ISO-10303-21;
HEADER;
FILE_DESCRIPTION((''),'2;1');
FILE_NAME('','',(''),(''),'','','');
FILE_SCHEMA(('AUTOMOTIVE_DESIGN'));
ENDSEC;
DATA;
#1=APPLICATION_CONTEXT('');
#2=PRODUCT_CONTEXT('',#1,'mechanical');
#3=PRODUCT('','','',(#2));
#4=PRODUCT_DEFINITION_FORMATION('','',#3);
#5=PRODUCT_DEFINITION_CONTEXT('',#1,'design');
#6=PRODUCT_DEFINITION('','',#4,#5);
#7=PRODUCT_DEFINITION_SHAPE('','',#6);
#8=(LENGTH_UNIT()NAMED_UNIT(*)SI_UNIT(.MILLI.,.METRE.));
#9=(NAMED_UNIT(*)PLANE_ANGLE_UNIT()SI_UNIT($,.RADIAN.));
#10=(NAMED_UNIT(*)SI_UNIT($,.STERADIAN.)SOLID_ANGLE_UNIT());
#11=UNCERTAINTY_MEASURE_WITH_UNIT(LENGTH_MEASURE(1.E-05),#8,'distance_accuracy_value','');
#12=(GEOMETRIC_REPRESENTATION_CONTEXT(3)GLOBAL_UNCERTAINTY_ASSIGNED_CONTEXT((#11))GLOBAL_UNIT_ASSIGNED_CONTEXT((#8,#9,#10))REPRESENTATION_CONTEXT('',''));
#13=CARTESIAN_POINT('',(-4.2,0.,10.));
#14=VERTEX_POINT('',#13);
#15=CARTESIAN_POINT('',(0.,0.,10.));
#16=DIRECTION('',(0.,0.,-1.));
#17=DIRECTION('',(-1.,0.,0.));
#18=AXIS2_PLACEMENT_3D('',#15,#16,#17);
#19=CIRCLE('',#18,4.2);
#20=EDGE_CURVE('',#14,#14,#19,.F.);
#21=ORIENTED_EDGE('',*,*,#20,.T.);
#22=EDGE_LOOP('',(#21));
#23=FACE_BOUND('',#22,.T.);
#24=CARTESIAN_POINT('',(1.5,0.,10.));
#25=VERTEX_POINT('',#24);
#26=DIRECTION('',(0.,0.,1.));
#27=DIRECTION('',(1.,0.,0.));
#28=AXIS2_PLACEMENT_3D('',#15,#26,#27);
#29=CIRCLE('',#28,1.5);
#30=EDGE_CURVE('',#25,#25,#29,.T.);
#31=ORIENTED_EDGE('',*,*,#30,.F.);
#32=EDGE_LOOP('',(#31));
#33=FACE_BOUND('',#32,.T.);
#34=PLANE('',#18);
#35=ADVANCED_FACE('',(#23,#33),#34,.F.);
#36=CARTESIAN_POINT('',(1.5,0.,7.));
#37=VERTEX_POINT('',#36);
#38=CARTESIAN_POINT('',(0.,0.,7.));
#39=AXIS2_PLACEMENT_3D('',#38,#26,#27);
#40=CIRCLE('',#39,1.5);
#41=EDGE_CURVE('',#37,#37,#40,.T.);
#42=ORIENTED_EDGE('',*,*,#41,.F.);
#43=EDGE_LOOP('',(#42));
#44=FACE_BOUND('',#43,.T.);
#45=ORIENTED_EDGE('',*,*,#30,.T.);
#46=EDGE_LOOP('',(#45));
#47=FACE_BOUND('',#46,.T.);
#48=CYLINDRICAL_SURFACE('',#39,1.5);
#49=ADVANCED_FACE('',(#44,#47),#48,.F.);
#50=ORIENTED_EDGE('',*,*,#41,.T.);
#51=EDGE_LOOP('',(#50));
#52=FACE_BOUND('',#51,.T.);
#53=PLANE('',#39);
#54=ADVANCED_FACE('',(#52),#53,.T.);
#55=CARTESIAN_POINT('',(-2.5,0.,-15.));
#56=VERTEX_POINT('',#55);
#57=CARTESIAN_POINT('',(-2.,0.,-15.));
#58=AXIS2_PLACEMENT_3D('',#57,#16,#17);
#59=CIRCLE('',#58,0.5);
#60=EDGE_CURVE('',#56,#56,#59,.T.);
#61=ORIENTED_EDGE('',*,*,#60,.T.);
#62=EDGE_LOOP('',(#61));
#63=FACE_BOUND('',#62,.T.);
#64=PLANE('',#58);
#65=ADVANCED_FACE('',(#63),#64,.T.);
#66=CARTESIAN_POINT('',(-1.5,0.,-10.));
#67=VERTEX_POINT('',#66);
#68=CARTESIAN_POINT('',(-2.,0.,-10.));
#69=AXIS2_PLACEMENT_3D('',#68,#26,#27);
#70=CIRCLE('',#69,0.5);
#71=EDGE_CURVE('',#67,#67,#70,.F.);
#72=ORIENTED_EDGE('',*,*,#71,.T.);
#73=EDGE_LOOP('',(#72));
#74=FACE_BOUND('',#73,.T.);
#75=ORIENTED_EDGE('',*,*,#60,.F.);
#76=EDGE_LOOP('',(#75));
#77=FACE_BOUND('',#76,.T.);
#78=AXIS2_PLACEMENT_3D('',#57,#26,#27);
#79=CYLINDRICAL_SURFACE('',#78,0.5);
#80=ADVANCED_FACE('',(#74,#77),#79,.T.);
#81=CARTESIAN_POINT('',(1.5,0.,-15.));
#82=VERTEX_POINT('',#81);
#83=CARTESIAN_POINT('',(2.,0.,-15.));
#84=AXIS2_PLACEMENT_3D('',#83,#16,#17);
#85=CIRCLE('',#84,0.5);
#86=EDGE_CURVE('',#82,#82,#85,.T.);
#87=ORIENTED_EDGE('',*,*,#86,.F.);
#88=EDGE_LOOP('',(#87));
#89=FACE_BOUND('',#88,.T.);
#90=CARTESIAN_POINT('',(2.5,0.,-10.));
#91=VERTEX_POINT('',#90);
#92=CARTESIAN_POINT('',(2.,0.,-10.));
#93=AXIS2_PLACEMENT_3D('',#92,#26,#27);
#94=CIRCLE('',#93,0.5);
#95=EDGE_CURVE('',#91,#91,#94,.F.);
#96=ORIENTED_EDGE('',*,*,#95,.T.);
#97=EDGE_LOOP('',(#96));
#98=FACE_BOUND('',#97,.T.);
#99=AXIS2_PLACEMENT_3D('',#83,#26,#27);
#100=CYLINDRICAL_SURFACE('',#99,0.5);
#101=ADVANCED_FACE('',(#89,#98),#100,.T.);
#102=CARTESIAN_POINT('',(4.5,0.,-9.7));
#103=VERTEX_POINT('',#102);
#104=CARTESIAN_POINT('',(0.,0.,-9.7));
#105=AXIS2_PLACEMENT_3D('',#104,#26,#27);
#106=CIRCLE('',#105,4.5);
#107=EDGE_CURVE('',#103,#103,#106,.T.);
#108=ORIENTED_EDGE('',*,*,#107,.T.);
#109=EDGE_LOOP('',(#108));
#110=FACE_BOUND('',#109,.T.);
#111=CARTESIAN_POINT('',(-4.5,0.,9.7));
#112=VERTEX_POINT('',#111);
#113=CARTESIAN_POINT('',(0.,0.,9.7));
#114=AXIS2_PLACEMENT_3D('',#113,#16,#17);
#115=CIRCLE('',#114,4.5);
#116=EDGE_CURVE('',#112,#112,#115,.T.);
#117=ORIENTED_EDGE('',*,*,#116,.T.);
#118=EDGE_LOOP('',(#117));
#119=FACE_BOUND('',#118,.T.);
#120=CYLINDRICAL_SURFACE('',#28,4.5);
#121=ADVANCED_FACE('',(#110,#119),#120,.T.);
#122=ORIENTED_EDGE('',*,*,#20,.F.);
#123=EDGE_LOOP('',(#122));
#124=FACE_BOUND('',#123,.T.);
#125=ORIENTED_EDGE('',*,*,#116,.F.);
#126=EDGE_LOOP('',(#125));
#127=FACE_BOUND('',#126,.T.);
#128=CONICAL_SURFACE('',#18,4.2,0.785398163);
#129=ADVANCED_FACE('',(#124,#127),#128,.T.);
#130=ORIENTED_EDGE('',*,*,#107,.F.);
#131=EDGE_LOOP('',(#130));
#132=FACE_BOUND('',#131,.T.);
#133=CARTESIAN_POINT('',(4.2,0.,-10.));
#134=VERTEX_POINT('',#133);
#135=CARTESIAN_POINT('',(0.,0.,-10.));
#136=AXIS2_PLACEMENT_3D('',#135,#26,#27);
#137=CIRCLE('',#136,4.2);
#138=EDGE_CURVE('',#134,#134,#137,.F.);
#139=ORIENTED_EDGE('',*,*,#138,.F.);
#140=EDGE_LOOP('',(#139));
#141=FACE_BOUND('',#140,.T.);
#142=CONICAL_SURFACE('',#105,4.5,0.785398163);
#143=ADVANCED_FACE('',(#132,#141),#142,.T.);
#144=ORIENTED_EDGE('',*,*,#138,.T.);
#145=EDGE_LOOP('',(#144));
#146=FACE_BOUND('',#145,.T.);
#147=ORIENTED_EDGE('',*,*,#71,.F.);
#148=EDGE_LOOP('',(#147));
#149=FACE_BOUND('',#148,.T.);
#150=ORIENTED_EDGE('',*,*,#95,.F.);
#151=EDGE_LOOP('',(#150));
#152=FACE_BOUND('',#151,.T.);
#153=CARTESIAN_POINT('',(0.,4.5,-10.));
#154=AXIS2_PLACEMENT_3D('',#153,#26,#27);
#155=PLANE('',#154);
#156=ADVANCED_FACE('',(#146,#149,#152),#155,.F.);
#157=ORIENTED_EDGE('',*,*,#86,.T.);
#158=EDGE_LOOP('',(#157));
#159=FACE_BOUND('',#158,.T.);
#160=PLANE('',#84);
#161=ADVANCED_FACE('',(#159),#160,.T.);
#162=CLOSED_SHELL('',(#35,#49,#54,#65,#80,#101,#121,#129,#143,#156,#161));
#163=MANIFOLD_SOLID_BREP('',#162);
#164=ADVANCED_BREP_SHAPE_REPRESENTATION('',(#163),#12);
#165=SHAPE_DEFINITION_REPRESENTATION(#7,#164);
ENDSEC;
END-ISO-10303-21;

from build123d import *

# Parameters (mm, degrees)
SKETCH1_W           = 20
SKETCH1_H           = 4.5
SKETCH2_R           = 1.5
CUT_EXTRUDE1_DEPTH  = 3
CHAMFER1_SIZE       = 0.3
SKETCH3_R           = 0.5
BOSS_EXTRUDE1_DEPTH = 5


with BuildPart() as part:
    # Sketch1 → Revolve1 (revolve)
    with BuildSketch(Plane(origin=(0, 0, 0), x_dir=(0, 0, -1), z_dir=(1, 0, 0)), mode=Mode.PRIVATE) as revolve1_sk:
        with Locations((0, 2.25)):
            Rectangle(SKETCH1_W, SKETCH1_H)
    revolve(revolve1_sk.sketch.rotate(Axis((0, 0, 10), (0, 0, -1)), 90), axis=Axis((0, 0, 10), (0, 0, -1)))

    # Sketch2 → Cut-Extrude1 (cut)
    with BuildSketch(Plane.XY.offset(10)):
        Circle(SKETCH2_R)
    extrude(amount=-CUT_EXTRUDE1_DEPTH, mode=Mode.SUBTRACT)

    # Chamfer1
    chamfer1_edges = [part.edges().sort_by_distance(p)[0] for p in [
        (-4.5, 0, -10),
        (-4.5, 0, 10),
    ]]
    chamfer(chamfer1_edges, length=CHAMFER1_SIZE)

    # Sketch3 → Boss-Extrude1 (add)
    with BuildSketch(Plane(origin=(0, 0, -10), x_dir=(-1, 0, 0), z_dir=(0, 0, -1))):
        with Locations(Location((-2, 0, 0), (0, 0, 180))):
            Circle(SKETCH3_R)
        with Locations(Location((2, 0, 0), (0, 0, 180))):
            Circle(SKETCH3_R)
    extrude(amount=BOSS_EXTRUDE1_DEPTH)


solid = part.part
